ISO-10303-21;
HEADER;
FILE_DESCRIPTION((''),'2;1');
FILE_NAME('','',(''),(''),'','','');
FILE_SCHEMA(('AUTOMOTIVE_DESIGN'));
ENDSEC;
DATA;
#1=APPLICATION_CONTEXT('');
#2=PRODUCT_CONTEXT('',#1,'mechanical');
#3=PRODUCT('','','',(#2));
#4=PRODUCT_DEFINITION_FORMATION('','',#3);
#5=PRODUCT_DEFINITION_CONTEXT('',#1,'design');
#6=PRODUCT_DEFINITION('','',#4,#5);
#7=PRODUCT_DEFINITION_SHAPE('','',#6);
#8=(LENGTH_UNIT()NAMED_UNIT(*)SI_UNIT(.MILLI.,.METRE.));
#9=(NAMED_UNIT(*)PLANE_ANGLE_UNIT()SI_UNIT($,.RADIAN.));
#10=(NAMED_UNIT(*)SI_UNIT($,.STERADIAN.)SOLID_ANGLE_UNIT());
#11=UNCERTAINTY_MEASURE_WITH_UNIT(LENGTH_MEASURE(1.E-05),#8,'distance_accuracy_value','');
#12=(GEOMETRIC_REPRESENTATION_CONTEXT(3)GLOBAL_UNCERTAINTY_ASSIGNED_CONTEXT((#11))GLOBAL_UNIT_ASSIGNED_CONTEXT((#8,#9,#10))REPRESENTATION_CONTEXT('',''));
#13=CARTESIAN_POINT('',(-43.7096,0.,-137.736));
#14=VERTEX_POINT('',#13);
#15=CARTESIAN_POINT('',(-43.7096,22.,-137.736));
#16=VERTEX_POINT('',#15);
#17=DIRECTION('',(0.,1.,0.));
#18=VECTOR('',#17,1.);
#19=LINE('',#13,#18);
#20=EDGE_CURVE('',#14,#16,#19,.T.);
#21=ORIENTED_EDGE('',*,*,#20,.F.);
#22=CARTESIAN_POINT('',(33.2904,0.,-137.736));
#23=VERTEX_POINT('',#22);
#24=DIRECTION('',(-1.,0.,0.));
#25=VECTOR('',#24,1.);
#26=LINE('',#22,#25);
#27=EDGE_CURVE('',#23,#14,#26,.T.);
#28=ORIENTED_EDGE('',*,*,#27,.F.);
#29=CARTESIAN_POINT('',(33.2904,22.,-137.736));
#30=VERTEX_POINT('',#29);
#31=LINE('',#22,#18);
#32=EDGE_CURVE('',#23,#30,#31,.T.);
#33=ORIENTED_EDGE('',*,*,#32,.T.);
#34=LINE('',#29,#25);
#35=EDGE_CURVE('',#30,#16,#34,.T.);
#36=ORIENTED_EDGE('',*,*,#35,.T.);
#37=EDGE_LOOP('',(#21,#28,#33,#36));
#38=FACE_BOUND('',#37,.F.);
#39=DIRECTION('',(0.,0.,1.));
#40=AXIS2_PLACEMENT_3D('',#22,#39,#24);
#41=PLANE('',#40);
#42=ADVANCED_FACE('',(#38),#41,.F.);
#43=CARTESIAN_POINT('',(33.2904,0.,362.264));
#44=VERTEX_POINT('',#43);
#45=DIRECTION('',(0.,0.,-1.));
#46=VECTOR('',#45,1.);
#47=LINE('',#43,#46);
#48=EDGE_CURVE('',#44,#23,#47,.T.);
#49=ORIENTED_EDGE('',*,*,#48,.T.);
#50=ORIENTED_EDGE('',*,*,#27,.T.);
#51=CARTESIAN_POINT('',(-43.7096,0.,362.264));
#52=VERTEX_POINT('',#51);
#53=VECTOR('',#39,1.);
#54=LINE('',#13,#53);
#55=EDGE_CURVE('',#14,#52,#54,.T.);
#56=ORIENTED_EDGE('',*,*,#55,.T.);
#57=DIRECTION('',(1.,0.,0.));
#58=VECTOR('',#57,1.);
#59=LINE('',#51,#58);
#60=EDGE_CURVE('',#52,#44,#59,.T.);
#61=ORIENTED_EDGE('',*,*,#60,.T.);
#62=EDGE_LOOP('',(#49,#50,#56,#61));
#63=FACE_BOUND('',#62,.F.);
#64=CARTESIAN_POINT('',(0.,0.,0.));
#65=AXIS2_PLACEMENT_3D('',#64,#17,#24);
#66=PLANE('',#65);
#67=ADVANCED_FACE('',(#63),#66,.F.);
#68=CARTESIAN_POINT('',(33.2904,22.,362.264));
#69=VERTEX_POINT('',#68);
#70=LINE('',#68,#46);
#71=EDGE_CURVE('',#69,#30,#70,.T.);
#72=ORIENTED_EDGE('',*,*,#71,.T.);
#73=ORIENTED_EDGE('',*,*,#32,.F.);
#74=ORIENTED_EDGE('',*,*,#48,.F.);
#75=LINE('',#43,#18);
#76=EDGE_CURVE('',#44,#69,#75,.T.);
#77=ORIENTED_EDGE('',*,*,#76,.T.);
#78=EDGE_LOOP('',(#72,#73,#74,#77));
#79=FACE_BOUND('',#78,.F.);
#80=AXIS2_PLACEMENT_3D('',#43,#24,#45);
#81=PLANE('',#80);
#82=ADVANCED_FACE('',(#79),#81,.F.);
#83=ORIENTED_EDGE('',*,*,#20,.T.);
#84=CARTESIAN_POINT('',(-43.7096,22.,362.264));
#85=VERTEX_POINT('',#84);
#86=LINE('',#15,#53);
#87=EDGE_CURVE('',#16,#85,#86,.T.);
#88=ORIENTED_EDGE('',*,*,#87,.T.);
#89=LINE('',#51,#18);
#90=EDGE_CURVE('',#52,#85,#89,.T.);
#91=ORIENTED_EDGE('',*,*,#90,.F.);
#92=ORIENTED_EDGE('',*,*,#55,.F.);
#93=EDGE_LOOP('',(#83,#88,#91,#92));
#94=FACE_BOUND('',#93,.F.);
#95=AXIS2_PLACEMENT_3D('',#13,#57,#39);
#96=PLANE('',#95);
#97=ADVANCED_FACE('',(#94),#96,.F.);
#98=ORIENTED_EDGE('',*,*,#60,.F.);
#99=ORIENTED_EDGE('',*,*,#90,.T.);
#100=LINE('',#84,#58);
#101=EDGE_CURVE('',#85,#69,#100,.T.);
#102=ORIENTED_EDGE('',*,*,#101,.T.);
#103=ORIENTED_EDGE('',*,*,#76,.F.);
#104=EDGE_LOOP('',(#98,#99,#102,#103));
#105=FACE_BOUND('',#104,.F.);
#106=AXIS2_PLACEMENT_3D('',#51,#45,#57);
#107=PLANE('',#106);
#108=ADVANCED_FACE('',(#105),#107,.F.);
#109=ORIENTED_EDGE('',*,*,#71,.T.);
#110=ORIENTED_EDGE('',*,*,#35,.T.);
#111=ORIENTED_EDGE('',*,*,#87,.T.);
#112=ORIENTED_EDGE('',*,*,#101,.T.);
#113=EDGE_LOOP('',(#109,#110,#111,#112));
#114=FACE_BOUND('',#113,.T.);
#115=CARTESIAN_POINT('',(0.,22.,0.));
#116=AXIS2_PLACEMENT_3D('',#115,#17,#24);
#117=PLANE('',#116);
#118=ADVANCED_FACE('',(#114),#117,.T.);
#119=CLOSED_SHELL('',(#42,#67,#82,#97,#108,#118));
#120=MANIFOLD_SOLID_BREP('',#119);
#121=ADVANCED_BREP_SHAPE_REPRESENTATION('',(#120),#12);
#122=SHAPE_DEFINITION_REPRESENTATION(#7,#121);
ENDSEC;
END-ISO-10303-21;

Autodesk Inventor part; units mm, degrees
ref_plane "YZ Plane" through (0, 0, 0) normal (1, 0, 0) x (0, 1, 0)
ref_plane "XZ Plane" through (0, 0, 0) normal (0, 1, 0) x (-1, 0, 0)
ref_plane "XY Plane" through (0, 0, 0) normal (0, 0, 1) x (1, 0, 0)
sketch "Esquisse1" plane through (0, 0, 0) normal (0, 1, 0) x (-1, 0, 0)
  line L0 (43.7096, 362.264) -> (-33.2904, 362.264)
  line L1 (-33.2904, 362.264) -> (-33.2904, -137.736)
  line L2 (-33.2904, -137.736) -> (43.7096, -137.736)
  line L3 (43.7096, -137.736) -> (43.7096, 362.264)
  point P0 (0, 0)
  dimension "d0" = 77
  dimension "d1" = 500
extrude "Extrusion1" add sketch "Esquisse1" along normal blind 22
properties part number "bordure"
